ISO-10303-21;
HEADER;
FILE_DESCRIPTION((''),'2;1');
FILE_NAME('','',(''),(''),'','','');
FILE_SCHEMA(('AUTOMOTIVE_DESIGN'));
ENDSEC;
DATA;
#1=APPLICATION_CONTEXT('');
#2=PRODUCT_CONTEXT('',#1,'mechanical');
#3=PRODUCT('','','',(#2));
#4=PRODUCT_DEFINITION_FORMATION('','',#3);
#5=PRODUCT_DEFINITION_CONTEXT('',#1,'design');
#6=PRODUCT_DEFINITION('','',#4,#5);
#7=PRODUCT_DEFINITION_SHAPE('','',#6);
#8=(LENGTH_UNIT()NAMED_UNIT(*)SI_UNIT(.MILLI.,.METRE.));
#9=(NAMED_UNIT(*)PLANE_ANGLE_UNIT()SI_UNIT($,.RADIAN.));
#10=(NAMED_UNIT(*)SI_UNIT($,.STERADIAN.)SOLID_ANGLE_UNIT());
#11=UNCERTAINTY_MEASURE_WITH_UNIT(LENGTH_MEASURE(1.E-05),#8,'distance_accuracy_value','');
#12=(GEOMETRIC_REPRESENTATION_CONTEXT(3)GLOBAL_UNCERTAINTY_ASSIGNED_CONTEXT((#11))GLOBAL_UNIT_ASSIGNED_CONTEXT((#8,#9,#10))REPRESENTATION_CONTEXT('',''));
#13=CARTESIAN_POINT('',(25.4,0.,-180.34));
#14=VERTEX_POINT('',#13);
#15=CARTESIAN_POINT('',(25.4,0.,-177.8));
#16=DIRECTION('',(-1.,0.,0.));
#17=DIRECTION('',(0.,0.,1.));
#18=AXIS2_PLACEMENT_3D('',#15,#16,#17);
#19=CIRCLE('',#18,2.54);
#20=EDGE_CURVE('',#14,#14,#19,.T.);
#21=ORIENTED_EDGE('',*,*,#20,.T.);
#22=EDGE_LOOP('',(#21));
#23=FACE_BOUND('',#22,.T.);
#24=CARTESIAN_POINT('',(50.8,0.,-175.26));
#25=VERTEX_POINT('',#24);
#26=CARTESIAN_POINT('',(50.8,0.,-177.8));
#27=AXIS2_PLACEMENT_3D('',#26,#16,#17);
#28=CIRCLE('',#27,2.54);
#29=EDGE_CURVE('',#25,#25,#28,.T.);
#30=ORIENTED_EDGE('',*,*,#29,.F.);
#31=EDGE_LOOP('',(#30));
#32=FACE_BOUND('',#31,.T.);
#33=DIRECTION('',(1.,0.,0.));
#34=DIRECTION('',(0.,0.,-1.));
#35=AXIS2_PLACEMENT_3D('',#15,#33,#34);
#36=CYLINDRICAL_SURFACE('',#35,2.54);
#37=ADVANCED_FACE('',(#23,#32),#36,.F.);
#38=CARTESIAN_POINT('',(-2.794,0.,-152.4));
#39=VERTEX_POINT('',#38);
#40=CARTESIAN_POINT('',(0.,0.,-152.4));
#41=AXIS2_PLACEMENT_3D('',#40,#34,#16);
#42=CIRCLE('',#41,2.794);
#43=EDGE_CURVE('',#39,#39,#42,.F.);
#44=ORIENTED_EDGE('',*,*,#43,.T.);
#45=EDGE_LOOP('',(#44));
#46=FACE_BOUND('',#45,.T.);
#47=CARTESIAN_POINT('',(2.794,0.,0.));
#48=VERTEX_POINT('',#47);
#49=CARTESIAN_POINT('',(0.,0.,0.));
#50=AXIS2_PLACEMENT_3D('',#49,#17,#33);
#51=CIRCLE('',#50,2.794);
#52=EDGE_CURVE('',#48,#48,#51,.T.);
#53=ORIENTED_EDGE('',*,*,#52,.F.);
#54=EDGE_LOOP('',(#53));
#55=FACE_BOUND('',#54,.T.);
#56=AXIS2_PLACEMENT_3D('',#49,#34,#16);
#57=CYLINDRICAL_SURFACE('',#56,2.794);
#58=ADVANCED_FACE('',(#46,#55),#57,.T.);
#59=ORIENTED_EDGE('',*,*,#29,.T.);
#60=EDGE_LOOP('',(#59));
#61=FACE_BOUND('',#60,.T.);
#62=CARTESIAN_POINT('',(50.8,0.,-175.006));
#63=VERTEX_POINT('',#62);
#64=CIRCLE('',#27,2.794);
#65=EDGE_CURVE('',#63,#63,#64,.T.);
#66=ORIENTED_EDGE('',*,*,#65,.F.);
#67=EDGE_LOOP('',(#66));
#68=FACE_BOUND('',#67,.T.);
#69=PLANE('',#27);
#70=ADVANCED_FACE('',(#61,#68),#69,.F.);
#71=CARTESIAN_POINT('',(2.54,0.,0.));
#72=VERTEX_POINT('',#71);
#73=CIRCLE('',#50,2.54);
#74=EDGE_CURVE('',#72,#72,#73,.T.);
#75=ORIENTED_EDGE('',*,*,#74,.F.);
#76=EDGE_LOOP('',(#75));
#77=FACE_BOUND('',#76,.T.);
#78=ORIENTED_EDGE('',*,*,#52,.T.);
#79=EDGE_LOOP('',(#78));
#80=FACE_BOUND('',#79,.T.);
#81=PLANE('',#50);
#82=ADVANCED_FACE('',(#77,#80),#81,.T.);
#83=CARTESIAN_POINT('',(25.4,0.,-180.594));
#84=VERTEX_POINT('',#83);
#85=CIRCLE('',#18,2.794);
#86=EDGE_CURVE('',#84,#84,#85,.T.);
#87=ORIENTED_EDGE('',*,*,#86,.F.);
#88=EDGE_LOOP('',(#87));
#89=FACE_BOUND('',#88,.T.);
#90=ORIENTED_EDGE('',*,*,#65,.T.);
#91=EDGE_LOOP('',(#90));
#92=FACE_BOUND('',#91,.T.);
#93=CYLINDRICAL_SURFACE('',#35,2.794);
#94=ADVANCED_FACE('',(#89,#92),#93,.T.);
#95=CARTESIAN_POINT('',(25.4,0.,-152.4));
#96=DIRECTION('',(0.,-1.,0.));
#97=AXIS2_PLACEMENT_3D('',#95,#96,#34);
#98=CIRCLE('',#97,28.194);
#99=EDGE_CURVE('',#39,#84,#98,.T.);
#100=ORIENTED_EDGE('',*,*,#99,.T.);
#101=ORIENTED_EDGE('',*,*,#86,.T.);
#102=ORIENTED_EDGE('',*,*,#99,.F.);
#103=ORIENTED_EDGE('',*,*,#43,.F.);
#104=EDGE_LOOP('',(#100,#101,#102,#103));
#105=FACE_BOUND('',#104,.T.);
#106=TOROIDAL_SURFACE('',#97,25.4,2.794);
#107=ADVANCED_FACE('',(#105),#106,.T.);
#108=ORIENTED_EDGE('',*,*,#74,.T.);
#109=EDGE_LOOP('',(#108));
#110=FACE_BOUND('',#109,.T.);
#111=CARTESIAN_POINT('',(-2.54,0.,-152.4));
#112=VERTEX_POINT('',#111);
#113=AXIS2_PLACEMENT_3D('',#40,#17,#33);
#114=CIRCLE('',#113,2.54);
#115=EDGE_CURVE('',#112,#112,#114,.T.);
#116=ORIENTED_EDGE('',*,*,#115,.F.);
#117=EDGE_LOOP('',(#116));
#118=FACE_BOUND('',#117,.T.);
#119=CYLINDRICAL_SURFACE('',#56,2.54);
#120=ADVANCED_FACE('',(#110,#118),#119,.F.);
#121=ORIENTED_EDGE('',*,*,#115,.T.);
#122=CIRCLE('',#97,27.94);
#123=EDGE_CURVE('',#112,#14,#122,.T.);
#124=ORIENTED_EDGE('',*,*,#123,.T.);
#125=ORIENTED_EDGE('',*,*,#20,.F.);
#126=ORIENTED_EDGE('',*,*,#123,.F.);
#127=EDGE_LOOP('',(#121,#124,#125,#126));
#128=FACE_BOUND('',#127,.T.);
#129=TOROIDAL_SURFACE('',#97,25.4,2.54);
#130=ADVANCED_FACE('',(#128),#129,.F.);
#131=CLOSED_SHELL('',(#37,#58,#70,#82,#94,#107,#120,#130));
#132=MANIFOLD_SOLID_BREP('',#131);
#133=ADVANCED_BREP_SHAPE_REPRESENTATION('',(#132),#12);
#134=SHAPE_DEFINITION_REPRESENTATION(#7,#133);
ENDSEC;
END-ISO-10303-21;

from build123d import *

# Parameters (mm, degrees)
SKETCH4_R   = 2.794
SKETCH4_R_2 = 2.54


with BuildPart() as part:
    # Sweep-Thin1: sweep along a path in Sketch2
    with BuildLine(Plane(origin=(0, 0, 0), x_dir=(1, 0, 0), z_dir=(0, 1, 0))) as sweep_thin1_path:
        Line((0, 0), (0, 152.4))
        ThreePointArc((0, 152.4), (7.439487758, 170.360512242), (25.4, 177.8))
        Line((25.4, 177.8), (50.8, 177.8))
    # Sketch4 → Sweep-Thin1 (sweep)
    with BuildSketch(Plane.XY):
        Circle(SKETCH4_R)
        Circle(SKETCH4_R_2, mode=Mode.SUBTRACT)
    sweep(path=sweep_thin1_path.line)


solid = part.part
